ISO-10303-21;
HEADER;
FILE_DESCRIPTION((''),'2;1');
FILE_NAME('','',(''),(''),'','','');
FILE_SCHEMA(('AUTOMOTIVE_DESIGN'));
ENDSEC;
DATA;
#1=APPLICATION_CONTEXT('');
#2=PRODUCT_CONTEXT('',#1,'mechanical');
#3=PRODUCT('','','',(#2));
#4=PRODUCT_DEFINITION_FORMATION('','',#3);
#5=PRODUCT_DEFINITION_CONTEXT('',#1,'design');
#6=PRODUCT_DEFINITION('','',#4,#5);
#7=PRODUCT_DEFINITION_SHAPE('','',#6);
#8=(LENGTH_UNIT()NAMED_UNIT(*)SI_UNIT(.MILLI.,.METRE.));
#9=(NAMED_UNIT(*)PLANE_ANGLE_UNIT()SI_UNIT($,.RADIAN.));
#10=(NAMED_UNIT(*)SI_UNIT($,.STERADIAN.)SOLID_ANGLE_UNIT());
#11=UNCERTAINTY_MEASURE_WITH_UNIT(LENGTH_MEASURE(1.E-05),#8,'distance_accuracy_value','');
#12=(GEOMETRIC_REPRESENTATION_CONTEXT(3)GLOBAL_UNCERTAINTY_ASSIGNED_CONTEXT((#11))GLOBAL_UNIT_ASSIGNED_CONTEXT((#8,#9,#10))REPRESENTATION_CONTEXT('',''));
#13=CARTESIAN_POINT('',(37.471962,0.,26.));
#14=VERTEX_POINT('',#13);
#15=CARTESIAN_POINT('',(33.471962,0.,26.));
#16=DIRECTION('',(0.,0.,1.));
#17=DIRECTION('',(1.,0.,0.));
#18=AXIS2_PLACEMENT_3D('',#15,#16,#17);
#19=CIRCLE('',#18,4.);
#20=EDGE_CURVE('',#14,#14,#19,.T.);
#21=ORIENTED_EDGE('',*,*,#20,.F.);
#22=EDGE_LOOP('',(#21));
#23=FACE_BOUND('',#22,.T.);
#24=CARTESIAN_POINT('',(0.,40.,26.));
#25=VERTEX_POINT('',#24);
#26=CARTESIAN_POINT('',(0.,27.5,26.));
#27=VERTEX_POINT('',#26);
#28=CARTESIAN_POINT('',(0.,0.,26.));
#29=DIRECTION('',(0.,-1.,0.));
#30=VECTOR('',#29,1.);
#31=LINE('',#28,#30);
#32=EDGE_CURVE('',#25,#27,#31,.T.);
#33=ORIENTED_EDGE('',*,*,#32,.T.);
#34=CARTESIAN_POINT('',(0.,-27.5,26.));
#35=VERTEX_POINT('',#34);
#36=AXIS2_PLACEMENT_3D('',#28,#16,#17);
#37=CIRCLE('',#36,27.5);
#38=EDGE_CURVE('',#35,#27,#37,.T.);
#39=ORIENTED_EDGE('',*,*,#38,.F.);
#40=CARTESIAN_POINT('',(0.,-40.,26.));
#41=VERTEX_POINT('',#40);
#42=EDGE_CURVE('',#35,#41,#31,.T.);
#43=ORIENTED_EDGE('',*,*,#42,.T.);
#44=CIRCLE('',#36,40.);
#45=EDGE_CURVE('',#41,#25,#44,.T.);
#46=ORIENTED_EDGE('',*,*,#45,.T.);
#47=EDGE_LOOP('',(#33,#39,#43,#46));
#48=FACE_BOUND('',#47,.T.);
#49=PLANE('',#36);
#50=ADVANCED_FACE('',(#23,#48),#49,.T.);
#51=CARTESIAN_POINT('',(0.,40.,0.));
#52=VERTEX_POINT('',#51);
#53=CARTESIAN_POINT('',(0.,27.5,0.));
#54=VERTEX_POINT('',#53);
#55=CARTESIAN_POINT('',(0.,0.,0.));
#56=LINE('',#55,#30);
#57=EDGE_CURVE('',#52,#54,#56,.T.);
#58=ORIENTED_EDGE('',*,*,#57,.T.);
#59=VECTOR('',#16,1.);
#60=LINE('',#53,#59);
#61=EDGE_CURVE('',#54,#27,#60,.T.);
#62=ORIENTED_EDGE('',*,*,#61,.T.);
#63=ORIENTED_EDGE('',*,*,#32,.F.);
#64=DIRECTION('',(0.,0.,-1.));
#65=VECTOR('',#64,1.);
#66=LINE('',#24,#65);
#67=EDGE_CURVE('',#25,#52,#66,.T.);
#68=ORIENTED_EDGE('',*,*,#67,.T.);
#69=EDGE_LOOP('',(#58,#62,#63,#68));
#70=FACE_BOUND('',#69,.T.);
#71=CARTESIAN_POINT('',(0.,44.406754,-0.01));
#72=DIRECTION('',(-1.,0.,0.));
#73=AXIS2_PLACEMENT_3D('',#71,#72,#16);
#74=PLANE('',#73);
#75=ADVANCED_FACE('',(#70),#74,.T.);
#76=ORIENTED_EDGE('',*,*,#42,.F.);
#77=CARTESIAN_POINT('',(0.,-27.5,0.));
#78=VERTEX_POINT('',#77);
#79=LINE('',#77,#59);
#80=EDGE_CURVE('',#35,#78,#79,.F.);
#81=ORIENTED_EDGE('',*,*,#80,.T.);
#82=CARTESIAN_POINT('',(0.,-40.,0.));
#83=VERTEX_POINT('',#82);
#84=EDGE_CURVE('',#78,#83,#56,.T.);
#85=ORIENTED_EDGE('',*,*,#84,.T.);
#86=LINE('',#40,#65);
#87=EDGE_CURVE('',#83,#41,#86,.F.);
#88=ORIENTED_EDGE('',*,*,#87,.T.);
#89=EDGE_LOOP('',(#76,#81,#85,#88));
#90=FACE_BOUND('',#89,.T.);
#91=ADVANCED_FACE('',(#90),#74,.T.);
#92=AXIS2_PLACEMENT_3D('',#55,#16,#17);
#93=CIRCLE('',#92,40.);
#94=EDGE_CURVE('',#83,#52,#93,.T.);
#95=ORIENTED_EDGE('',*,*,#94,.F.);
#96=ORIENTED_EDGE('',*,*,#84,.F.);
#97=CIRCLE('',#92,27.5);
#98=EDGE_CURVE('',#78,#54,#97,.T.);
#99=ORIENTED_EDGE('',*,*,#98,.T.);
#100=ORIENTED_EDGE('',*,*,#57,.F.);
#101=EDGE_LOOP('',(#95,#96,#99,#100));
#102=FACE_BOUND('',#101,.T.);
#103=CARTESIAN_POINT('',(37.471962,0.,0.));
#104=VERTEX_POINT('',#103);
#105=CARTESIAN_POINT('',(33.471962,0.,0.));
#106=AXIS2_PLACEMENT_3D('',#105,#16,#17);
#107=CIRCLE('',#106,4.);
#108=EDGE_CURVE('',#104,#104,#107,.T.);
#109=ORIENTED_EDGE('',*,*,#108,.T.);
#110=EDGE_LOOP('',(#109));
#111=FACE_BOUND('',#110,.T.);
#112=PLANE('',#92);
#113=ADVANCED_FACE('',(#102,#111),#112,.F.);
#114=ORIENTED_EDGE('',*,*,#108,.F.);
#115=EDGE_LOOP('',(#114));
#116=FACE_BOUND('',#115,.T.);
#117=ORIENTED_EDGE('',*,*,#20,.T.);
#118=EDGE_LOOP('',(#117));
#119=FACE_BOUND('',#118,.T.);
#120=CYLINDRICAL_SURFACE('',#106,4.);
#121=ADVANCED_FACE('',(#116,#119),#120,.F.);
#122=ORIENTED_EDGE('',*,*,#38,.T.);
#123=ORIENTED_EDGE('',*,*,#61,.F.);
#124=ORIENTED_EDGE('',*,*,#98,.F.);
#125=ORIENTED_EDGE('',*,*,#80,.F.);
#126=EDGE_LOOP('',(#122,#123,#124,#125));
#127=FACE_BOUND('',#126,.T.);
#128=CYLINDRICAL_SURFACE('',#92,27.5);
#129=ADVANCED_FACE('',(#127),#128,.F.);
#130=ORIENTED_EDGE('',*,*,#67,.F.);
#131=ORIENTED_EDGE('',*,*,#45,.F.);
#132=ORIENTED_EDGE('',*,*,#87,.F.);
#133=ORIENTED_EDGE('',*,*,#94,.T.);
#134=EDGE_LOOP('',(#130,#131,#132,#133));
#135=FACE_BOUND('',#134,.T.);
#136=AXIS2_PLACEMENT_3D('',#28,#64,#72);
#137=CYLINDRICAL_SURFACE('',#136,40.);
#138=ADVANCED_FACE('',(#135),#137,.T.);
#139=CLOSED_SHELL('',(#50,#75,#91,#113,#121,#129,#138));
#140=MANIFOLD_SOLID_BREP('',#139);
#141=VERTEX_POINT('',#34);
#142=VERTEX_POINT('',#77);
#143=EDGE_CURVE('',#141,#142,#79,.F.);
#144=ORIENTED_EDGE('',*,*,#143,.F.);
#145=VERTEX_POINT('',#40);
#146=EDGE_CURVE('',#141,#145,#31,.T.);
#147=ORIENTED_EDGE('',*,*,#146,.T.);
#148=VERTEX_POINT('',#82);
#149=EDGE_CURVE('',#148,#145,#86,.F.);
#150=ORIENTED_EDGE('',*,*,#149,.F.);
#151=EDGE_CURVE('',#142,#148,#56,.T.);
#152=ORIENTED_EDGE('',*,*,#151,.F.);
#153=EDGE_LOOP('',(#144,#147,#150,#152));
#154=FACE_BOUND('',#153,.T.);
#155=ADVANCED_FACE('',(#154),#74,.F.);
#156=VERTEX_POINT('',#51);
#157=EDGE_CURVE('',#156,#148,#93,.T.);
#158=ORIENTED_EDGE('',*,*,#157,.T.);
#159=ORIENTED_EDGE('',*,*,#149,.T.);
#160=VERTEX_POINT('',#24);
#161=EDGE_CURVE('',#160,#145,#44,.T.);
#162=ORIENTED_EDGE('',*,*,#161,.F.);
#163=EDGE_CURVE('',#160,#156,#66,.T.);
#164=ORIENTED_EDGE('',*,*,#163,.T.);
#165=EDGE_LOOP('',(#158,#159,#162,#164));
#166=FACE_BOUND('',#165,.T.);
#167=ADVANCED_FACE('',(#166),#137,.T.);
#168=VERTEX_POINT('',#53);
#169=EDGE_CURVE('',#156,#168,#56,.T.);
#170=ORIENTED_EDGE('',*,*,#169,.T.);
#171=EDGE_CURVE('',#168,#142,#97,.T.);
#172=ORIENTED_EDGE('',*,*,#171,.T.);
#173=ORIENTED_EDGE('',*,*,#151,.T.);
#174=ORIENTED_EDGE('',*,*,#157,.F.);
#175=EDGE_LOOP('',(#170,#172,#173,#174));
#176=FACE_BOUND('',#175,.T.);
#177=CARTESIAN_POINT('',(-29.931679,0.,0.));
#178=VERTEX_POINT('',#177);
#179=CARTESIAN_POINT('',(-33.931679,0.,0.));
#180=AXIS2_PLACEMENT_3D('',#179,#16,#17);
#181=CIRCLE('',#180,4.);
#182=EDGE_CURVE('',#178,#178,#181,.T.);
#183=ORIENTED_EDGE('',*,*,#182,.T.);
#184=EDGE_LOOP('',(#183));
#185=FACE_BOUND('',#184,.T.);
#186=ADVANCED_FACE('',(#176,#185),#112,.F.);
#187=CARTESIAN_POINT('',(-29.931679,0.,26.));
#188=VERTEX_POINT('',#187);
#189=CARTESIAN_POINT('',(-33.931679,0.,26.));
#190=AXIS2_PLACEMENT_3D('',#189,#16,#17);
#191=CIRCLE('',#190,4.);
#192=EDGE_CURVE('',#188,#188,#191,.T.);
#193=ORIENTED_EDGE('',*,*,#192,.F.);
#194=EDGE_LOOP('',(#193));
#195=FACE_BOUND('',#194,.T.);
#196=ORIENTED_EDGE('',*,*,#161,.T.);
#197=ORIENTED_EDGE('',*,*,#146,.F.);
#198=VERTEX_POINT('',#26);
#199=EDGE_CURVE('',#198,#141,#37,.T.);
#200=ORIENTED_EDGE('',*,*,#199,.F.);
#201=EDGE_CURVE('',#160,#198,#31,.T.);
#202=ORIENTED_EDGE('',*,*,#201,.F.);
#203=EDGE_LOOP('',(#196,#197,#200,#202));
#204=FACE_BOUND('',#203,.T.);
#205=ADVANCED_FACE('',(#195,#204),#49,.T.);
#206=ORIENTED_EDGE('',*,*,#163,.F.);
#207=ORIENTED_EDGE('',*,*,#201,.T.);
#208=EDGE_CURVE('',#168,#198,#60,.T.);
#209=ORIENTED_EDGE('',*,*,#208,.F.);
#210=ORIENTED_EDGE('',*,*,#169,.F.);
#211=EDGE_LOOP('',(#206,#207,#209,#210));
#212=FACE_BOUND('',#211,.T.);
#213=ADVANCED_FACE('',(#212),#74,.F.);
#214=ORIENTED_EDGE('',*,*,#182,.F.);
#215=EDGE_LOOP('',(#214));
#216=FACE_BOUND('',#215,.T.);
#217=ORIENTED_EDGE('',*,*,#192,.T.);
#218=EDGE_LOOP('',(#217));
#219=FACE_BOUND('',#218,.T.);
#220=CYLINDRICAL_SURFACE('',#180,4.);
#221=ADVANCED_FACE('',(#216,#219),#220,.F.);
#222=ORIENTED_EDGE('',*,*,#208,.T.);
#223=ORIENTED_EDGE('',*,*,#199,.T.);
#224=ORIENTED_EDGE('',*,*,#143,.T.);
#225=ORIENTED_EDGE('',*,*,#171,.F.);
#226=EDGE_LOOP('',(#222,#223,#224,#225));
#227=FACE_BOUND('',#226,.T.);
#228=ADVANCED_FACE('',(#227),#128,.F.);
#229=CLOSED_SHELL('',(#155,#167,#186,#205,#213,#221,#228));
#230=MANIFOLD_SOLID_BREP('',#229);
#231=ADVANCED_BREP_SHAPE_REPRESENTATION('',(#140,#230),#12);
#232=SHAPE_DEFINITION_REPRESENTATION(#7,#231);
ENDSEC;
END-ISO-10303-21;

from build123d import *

# Parameters (mm, degrees)
SKETCH1_R              = 40
BOSS_EXTRUDE1_DEPTH    = 26
SKETCH2_R              = 27.5
CUT_EXTRUDE1_DEPTH     = 63.257529665
SPLIT1_SURFACE_1_BACK  = 117.086
SPLIT1_SURFACE_1_DEPTH = 234.172
SPLIT1_SURFACE_2_BACK  = 117.086
SPLIT1_SURFACE_2_DEPTH = 234.172
SKETCH4_R              = 4
CUT_EXTRUDE3_DEPTH     = 63.257529665


with BuildPart() as part:
    # Sketch1 → Boss-Extrude1 (new body)
    with BuildSketch(Plane.XY):
        Circle(SKETCH1_R)
    extrude(amount=BOSS_EXTRUDE1_DEPTH)

    # Sketch2 → Cut-Extrude1 (cut, through all)
    with BuildSketch(Plane.XY.offset(26)):
        Circle(SKETCH2_R)
    extrude(amount=-CUT_EXTRUDE1_DEPTH, mode=Mode.SUBTRACT)


with BuildPart() as body_2:
    # Split1: the piece behind the surface
    add(part.part)
    # Split1 surface: a surface, the sketch's curves swept straight by 234.172 mm
    with BuildLine(Plane.XY.offset(-SPLIT1_SURFACE_1_BACK), mode=Mode.PRIVATE) as split1_surface_1_path:
        Line((0, 44.406753527), (0, -43.858522002))
    split1_surface_1 = Shell.extrude(split1_surface_1_path.wire(), (0 * SPLIT1_SURFACE_1_DEPTH, 0 * SPLIT1_SURFACE_1_DEPTH, 1 * SPLIT1_SURFACE_1_DEPTH))
    split(bisect_by=split1_surface_1, keep=Keep.BOTTOM)


with BuildPart() as part_1:
    add(part.part)

    # Split1: split by a surface, the side it looks to stays
    # Split1 surface: a surface, the sketch's curves swept straight by 234.172 mm
    with BuildLine(Plane.XY.offset(-SPLIT1_SURFACE_2_BACK), mode=Mode.PRIVATE) as split1_surface_2_path:
        Line((0, 44.406753527), (0, -43.858522002))
    split1_surface_2 = Shell.extrude(split1_surface_2_path.wire(), (0 * SPLIT1_SURFACE_2_DEPTH, 0 * SPLIT1_SURFACE_2_DEPTH, 1 * SPLIT1_SURFACE_2_DEPTH))
    split(bisect_by=split1_surface_2, keep=Keep.TOP)


with BuildPart() as cut_extrude3_tool:
    # Sketch4 → Cut-Extrude3 (new, through all)
    with BuildSketch(Plane.XY.offset(26)):
        with Locations((-33.931678765, 0)):
            Circle(SKETCH4_R)
        with Locations((33.47196226, 0)):
            Circle(SKETCH4_R)
    extrude(amount=-CUT_EXTRUDE3_DEPTH)


with BuildPart() as part_2:
    add(part_1.part)

    # Cut-Extrude3: cut by cut_extrude3_tool
    add(cut_extrude3_tool.part, mode=Mode.SUBTRACT)


with BuildPart() as body_2_1:
    add(body_2.part)

    # Cut-Extrude3: cut by cut_extrude3_tool
    add(cut_extrude3_tool.part, mode=Mode.SUBTRACT)


solid = Compound([part_2.part, body_2_1.part])
